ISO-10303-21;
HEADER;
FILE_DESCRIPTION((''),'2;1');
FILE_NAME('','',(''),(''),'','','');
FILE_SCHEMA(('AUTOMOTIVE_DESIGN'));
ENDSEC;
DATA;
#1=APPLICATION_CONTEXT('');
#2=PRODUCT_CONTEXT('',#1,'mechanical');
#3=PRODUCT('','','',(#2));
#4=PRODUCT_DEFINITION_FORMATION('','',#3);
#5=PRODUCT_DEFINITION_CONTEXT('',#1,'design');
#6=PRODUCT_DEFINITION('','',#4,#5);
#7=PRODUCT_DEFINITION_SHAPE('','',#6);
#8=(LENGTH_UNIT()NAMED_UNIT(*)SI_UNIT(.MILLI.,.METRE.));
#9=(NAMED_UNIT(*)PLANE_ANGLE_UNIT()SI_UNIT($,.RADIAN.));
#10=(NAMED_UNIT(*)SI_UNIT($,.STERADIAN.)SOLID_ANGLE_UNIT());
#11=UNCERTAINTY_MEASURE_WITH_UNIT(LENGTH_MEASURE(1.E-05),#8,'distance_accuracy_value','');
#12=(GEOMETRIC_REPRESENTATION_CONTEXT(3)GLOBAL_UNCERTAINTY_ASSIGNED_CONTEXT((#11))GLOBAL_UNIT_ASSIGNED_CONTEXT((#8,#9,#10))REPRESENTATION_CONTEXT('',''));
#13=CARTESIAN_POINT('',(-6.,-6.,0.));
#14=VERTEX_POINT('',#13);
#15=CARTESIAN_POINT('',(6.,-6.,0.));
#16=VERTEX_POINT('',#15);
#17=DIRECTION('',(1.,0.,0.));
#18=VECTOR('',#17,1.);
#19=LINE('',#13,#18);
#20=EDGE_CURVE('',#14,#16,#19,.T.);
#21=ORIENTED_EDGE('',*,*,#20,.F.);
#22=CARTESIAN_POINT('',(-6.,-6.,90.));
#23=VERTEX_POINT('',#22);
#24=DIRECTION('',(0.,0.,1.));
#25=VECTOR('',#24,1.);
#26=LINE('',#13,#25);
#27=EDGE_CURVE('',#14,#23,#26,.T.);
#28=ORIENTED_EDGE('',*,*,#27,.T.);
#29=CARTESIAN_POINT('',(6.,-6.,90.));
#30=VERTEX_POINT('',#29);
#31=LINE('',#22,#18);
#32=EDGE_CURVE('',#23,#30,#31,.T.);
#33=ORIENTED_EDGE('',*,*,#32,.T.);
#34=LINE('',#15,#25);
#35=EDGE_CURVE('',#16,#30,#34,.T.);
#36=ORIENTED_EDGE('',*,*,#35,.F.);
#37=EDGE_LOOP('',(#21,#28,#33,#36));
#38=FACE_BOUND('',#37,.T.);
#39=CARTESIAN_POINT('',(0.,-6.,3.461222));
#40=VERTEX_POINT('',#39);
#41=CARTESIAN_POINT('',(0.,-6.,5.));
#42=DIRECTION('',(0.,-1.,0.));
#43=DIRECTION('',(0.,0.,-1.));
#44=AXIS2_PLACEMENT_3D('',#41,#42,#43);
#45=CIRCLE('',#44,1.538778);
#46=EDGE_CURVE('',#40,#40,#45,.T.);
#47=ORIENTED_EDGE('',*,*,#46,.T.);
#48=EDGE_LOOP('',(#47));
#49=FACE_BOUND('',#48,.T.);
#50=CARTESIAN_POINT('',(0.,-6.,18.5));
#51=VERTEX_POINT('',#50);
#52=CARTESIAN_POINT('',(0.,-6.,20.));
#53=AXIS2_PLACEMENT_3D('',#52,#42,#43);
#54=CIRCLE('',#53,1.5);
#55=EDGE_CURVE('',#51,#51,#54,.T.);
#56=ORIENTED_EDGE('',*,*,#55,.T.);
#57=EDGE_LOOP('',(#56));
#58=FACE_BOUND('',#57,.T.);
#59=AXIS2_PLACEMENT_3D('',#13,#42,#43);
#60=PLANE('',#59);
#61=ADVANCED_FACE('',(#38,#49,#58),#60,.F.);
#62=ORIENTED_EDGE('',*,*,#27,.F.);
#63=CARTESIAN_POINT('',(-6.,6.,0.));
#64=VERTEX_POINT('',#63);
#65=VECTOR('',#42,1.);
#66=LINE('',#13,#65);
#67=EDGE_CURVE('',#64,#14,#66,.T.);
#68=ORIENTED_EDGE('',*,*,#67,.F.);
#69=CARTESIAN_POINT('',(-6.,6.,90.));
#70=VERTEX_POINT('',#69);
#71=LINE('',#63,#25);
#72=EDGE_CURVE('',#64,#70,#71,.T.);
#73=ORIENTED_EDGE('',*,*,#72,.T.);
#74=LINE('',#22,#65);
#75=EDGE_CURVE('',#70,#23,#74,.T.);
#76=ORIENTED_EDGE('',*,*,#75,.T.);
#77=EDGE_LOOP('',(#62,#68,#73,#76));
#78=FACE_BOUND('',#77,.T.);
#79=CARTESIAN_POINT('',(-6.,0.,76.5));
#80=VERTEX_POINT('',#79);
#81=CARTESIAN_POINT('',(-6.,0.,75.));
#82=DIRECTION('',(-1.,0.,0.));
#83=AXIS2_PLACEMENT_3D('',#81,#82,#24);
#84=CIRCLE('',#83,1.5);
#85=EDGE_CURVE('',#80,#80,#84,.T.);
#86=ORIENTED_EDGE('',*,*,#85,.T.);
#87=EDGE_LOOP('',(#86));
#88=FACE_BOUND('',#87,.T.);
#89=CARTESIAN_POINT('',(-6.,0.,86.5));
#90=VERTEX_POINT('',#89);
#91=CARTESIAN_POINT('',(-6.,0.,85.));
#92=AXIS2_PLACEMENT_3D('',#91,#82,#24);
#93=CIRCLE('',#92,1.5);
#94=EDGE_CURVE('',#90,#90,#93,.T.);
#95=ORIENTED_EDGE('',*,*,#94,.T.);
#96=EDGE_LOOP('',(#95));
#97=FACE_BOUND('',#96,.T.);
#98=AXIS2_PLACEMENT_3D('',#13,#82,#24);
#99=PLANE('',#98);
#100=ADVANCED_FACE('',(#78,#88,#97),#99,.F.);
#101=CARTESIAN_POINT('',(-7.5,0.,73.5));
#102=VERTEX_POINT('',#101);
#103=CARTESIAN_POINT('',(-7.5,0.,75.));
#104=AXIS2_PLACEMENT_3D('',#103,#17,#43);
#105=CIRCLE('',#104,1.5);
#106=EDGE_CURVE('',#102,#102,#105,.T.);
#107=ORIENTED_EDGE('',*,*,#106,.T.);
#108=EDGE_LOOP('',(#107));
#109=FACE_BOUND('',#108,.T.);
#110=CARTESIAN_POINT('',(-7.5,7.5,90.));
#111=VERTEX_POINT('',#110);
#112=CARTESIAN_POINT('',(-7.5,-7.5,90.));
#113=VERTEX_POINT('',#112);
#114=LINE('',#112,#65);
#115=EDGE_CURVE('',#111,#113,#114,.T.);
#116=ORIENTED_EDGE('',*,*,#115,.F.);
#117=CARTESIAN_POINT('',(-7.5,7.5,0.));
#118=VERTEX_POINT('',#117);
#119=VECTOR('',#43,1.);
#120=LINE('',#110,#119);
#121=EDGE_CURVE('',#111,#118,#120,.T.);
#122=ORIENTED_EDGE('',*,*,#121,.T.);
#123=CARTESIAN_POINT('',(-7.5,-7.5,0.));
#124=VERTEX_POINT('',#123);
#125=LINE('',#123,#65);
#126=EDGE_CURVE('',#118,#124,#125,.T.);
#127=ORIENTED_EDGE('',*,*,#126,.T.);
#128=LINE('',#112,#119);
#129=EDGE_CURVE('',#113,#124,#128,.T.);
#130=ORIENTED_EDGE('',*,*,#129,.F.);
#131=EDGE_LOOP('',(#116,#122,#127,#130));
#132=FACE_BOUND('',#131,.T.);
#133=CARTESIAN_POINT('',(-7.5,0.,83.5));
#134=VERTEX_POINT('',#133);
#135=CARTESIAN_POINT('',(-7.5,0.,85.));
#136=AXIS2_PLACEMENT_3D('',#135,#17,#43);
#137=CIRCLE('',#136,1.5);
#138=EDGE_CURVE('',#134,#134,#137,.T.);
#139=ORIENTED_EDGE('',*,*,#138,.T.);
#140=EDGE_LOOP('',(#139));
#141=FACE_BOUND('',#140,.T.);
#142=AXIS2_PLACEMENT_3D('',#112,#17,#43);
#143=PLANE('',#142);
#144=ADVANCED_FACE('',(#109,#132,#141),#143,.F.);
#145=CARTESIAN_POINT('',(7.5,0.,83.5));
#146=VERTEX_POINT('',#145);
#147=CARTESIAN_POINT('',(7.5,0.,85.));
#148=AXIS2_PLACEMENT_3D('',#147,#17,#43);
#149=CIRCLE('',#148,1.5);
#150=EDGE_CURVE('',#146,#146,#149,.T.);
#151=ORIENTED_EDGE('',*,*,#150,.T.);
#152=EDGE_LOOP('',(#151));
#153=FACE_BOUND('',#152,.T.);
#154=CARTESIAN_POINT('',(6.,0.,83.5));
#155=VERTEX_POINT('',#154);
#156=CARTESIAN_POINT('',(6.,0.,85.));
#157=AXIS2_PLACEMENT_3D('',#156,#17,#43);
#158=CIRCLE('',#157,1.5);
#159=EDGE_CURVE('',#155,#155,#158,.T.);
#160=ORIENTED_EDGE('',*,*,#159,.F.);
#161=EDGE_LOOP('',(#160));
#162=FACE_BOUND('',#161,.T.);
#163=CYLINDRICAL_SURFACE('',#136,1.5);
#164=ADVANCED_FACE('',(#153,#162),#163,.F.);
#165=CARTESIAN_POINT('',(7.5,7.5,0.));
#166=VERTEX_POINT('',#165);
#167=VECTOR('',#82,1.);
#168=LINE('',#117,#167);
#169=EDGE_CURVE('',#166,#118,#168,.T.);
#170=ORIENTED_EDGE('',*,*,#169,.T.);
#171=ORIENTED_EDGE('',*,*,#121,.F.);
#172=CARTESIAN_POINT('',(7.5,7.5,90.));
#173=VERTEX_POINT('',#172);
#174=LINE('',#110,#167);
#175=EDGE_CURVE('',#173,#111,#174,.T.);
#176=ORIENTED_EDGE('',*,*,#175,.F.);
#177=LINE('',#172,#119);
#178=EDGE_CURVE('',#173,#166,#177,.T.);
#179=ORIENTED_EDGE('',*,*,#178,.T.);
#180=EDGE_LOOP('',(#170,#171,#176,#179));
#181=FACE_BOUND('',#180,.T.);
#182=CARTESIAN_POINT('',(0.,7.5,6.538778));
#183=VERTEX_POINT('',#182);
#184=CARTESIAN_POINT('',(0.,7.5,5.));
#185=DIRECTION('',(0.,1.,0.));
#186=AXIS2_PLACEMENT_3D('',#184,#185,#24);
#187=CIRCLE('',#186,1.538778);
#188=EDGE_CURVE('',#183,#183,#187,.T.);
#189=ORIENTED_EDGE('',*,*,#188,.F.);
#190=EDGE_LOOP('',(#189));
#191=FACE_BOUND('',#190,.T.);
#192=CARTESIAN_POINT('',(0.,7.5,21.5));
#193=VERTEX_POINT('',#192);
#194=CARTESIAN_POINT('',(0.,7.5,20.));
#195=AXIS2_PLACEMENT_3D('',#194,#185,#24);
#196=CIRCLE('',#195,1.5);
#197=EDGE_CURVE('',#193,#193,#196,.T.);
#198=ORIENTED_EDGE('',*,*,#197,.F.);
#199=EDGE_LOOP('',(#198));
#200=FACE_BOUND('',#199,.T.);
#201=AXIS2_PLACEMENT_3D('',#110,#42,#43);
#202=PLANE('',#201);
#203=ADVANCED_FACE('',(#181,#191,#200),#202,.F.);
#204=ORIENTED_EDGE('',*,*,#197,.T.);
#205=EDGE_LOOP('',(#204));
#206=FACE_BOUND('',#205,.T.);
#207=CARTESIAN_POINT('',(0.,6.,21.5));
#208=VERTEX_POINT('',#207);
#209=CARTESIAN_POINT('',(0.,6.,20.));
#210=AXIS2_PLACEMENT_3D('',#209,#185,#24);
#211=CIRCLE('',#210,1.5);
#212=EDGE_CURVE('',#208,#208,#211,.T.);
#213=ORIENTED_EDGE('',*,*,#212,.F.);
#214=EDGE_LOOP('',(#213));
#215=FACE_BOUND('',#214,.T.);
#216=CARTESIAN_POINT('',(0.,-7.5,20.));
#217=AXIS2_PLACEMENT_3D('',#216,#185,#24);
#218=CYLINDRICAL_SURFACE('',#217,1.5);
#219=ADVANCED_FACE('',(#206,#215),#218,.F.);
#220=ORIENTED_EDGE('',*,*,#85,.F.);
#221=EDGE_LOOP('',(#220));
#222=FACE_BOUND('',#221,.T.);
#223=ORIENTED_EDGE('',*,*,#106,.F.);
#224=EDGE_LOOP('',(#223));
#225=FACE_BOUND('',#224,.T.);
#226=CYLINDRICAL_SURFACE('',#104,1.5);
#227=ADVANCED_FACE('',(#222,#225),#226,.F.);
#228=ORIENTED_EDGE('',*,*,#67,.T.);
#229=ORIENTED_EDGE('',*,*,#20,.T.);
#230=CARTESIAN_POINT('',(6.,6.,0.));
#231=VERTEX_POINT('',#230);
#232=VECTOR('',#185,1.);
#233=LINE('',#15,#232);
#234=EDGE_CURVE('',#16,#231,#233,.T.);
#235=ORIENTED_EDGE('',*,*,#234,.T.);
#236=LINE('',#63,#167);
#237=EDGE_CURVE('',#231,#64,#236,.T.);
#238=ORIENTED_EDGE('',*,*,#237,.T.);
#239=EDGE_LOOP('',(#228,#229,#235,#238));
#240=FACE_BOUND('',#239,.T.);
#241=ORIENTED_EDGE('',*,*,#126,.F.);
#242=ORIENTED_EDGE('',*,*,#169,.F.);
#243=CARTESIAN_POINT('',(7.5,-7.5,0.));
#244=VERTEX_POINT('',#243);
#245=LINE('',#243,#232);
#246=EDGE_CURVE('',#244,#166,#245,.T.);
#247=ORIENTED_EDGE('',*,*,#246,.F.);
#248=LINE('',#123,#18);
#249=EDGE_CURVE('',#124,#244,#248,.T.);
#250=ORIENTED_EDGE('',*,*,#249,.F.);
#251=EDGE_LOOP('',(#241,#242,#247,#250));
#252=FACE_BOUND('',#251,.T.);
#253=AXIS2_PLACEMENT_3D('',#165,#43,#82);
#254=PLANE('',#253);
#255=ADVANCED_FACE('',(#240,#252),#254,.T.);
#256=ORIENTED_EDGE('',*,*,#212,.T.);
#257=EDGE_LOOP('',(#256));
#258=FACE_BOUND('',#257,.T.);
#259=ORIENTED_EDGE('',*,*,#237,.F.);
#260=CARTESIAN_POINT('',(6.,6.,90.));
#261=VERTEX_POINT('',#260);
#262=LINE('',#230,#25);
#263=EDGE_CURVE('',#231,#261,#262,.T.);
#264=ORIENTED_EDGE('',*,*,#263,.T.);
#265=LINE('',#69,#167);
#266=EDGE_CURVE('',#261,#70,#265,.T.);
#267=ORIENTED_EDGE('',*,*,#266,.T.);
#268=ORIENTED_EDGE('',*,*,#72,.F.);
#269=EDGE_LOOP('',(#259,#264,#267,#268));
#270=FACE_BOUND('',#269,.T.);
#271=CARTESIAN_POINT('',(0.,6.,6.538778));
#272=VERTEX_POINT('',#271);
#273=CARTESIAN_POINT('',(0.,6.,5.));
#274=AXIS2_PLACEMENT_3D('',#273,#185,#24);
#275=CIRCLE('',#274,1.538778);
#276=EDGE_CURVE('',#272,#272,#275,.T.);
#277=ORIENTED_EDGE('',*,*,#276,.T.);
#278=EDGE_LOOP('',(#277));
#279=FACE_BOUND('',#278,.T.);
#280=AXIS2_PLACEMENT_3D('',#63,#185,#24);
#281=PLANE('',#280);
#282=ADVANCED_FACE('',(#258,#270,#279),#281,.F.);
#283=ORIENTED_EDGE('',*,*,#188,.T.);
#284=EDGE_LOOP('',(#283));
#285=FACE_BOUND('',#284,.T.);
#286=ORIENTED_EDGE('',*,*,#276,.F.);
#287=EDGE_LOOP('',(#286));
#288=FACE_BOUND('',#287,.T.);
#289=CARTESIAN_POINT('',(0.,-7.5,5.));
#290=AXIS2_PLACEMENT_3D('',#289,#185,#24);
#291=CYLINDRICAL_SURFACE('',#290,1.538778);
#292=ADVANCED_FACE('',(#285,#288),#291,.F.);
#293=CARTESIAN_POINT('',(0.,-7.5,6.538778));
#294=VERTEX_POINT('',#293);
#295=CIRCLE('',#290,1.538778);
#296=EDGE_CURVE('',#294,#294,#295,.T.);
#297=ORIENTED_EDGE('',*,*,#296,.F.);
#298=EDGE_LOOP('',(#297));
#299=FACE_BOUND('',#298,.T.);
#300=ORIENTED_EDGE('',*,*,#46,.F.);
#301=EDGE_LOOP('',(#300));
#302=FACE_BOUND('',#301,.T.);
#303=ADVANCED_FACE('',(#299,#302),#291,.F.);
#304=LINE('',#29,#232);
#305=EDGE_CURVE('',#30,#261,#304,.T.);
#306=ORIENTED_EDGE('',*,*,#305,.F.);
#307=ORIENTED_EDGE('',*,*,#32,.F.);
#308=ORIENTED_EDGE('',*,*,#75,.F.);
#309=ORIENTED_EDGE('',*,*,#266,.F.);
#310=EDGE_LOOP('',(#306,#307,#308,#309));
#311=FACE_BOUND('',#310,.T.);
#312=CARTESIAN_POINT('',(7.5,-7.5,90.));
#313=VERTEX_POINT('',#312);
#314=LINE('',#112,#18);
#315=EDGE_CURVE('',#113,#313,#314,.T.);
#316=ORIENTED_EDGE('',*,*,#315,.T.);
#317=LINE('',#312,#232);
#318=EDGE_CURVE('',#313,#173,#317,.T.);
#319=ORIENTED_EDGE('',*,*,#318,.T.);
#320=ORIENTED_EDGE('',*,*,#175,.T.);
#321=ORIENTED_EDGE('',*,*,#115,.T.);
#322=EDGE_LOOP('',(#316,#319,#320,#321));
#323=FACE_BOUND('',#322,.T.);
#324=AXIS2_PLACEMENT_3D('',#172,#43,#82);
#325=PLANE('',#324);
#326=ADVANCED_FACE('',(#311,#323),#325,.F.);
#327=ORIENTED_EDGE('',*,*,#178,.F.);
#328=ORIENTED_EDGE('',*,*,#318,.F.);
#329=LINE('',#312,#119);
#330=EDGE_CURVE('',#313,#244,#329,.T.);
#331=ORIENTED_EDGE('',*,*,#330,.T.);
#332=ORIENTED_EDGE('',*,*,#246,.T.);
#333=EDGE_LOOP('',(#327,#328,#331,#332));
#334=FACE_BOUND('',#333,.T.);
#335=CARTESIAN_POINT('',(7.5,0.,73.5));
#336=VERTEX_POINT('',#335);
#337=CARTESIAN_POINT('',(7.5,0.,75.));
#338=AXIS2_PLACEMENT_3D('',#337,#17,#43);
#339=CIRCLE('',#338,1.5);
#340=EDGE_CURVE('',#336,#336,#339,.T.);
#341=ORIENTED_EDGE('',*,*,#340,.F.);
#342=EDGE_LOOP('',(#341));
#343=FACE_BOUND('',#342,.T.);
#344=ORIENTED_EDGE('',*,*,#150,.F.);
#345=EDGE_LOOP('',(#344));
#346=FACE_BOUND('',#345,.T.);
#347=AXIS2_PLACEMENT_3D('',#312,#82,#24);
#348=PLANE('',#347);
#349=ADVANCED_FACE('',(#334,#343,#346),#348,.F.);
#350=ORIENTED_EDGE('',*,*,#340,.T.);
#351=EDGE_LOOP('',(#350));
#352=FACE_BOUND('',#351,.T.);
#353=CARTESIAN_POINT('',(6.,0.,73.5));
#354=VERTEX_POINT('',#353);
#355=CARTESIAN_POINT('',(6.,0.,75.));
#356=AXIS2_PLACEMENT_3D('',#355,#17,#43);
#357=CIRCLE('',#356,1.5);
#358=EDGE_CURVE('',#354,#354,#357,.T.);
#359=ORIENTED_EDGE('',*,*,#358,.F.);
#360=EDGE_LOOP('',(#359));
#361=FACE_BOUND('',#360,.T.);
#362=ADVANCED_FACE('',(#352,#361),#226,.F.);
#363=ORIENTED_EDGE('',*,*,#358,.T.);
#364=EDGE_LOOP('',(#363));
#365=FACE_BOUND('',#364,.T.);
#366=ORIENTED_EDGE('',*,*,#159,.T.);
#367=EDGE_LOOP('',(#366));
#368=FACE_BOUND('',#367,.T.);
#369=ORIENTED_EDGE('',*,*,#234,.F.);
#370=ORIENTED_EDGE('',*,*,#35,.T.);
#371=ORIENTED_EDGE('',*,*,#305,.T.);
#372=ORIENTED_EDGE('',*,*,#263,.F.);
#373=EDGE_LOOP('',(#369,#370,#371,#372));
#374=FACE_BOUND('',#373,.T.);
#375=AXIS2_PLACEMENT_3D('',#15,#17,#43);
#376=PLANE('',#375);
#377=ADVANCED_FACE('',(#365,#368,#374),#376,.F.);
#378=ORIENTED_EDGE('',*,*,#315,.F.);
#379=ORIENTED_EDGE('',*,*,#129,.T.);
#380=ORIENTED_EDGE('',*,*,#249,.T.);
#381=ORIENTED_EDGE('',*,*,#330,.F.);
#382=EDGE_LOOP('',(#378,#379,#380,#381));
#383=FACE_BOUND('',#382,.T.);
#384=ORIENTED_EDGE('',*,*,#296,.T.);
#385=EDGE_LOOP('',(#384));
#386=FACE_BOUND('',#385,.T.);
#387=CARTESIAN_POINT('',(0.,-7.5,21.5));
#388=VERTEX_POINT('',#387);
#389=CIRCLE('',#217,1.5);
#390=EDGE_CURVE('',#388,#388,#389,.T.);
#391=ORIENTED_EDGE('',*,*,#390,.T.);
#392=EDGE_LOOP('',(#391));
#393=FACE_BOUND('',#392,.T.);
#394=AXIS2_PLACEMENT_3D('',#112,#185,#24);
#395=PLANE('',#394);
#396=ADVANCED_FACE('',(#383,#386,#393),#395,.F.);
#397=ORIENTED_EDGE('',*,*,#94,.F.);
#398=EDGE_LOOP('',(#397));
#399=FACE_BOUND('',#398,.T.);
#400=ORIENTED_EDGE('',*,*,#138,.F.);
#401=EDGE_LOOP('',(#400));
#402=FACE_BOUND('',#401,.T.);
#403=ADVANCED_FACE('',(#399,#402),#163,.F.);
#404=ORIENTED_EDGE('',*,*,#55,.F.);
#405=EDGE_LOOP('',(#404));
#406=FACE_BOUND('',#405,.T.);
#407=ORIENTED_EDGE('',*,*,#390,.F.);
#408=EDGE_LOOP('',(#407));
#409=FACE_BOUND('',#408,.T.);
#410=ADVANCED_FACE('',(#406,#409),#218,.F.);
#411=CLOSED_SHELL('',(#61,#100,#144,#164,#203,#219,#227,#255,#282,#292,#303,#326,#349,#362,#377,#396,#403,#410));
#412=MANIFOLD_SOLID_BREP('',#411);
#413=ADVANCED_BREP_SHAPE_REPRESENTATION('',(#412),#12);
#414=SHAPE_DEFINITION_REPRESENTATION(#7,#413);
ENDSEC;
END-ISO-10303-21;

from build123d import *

# Parameters (mm, degrees)
ESQUISSE1_W             = 15
ESQUISSE1_H             = 15
EXTRUSION1_DEPTH        = 90
ESQUISSE2_W             = 12
ESQUISSE2_H             = 12
EXTRUSION2_DEPTH        = 91.622844802
ESQUISSE3_R             = 1.5
ENL_V_MAT_EXTRU_1_DEPTH = 92.549167118
ESQUISSE4_R             = 1.5
ESQUISSE4_R_2           = 1.538778498
ENL_V_MAT_EXTRU_2_DEPTH = 92.549167118


with BuildPart() as part:
    # Esquisse1 → Extrusion1 (new body)
    with BuildSketch(Plane.XY):
        Rectangle(ESQUISSE1_W, ESQUISSE1_H)
    extrude(amount=EXTRUSION1_DEPTH)

    # Esquisse2 → Extrusion2 (cut, through all)
    with BuildSketch(Plane.XY.offset(90)):
        Rectangle(ESQUISSE2_W, ESQUISSE2_H)
    extrude(amount=-EXTRUSION2_DEPTH, mode=Mode.SUBTRACT)

    # Esquisse3 → Enlèv. mat.-Extru.1 (cut, through all)
    with BuildSketch(Plane(origin=(7.5, 0, 0), x_dir=(0, 0, -1), z_dir=(1, 0, 0))):
        with Locations((-85, 0)):
            Circle(ESQUISSE3_R)
        with Locations((-75, 0)):
            Circle(ESQUISSE3_R)
    extrude(amount=-ENL_V_MAT_EXTRU_1_DEPTH, mode=Mode.SUBTRACT)

    # Esquisse4 → Enlèv. mat.-Extru.2 (cut, through all)
    with BuildSketch(Plane(origin=(0, 7.5, 0), x_dir=(1, 0, 0), z_dir=(0, 1, 0))):
        with Locations(Location((0, -20, 0), (0, 0, 270))):
            Circle(ESQUISSE4_R)
        with Locations(Location((0, -5, 0), (0, 0, 270))):
            Circle(ESQUISSE4_R_2)
    extrude(amount=-ENL_V_MAT_EXTRU_2_DEPTH, mode=Mode.SUBTRACT)


solid = part.part
